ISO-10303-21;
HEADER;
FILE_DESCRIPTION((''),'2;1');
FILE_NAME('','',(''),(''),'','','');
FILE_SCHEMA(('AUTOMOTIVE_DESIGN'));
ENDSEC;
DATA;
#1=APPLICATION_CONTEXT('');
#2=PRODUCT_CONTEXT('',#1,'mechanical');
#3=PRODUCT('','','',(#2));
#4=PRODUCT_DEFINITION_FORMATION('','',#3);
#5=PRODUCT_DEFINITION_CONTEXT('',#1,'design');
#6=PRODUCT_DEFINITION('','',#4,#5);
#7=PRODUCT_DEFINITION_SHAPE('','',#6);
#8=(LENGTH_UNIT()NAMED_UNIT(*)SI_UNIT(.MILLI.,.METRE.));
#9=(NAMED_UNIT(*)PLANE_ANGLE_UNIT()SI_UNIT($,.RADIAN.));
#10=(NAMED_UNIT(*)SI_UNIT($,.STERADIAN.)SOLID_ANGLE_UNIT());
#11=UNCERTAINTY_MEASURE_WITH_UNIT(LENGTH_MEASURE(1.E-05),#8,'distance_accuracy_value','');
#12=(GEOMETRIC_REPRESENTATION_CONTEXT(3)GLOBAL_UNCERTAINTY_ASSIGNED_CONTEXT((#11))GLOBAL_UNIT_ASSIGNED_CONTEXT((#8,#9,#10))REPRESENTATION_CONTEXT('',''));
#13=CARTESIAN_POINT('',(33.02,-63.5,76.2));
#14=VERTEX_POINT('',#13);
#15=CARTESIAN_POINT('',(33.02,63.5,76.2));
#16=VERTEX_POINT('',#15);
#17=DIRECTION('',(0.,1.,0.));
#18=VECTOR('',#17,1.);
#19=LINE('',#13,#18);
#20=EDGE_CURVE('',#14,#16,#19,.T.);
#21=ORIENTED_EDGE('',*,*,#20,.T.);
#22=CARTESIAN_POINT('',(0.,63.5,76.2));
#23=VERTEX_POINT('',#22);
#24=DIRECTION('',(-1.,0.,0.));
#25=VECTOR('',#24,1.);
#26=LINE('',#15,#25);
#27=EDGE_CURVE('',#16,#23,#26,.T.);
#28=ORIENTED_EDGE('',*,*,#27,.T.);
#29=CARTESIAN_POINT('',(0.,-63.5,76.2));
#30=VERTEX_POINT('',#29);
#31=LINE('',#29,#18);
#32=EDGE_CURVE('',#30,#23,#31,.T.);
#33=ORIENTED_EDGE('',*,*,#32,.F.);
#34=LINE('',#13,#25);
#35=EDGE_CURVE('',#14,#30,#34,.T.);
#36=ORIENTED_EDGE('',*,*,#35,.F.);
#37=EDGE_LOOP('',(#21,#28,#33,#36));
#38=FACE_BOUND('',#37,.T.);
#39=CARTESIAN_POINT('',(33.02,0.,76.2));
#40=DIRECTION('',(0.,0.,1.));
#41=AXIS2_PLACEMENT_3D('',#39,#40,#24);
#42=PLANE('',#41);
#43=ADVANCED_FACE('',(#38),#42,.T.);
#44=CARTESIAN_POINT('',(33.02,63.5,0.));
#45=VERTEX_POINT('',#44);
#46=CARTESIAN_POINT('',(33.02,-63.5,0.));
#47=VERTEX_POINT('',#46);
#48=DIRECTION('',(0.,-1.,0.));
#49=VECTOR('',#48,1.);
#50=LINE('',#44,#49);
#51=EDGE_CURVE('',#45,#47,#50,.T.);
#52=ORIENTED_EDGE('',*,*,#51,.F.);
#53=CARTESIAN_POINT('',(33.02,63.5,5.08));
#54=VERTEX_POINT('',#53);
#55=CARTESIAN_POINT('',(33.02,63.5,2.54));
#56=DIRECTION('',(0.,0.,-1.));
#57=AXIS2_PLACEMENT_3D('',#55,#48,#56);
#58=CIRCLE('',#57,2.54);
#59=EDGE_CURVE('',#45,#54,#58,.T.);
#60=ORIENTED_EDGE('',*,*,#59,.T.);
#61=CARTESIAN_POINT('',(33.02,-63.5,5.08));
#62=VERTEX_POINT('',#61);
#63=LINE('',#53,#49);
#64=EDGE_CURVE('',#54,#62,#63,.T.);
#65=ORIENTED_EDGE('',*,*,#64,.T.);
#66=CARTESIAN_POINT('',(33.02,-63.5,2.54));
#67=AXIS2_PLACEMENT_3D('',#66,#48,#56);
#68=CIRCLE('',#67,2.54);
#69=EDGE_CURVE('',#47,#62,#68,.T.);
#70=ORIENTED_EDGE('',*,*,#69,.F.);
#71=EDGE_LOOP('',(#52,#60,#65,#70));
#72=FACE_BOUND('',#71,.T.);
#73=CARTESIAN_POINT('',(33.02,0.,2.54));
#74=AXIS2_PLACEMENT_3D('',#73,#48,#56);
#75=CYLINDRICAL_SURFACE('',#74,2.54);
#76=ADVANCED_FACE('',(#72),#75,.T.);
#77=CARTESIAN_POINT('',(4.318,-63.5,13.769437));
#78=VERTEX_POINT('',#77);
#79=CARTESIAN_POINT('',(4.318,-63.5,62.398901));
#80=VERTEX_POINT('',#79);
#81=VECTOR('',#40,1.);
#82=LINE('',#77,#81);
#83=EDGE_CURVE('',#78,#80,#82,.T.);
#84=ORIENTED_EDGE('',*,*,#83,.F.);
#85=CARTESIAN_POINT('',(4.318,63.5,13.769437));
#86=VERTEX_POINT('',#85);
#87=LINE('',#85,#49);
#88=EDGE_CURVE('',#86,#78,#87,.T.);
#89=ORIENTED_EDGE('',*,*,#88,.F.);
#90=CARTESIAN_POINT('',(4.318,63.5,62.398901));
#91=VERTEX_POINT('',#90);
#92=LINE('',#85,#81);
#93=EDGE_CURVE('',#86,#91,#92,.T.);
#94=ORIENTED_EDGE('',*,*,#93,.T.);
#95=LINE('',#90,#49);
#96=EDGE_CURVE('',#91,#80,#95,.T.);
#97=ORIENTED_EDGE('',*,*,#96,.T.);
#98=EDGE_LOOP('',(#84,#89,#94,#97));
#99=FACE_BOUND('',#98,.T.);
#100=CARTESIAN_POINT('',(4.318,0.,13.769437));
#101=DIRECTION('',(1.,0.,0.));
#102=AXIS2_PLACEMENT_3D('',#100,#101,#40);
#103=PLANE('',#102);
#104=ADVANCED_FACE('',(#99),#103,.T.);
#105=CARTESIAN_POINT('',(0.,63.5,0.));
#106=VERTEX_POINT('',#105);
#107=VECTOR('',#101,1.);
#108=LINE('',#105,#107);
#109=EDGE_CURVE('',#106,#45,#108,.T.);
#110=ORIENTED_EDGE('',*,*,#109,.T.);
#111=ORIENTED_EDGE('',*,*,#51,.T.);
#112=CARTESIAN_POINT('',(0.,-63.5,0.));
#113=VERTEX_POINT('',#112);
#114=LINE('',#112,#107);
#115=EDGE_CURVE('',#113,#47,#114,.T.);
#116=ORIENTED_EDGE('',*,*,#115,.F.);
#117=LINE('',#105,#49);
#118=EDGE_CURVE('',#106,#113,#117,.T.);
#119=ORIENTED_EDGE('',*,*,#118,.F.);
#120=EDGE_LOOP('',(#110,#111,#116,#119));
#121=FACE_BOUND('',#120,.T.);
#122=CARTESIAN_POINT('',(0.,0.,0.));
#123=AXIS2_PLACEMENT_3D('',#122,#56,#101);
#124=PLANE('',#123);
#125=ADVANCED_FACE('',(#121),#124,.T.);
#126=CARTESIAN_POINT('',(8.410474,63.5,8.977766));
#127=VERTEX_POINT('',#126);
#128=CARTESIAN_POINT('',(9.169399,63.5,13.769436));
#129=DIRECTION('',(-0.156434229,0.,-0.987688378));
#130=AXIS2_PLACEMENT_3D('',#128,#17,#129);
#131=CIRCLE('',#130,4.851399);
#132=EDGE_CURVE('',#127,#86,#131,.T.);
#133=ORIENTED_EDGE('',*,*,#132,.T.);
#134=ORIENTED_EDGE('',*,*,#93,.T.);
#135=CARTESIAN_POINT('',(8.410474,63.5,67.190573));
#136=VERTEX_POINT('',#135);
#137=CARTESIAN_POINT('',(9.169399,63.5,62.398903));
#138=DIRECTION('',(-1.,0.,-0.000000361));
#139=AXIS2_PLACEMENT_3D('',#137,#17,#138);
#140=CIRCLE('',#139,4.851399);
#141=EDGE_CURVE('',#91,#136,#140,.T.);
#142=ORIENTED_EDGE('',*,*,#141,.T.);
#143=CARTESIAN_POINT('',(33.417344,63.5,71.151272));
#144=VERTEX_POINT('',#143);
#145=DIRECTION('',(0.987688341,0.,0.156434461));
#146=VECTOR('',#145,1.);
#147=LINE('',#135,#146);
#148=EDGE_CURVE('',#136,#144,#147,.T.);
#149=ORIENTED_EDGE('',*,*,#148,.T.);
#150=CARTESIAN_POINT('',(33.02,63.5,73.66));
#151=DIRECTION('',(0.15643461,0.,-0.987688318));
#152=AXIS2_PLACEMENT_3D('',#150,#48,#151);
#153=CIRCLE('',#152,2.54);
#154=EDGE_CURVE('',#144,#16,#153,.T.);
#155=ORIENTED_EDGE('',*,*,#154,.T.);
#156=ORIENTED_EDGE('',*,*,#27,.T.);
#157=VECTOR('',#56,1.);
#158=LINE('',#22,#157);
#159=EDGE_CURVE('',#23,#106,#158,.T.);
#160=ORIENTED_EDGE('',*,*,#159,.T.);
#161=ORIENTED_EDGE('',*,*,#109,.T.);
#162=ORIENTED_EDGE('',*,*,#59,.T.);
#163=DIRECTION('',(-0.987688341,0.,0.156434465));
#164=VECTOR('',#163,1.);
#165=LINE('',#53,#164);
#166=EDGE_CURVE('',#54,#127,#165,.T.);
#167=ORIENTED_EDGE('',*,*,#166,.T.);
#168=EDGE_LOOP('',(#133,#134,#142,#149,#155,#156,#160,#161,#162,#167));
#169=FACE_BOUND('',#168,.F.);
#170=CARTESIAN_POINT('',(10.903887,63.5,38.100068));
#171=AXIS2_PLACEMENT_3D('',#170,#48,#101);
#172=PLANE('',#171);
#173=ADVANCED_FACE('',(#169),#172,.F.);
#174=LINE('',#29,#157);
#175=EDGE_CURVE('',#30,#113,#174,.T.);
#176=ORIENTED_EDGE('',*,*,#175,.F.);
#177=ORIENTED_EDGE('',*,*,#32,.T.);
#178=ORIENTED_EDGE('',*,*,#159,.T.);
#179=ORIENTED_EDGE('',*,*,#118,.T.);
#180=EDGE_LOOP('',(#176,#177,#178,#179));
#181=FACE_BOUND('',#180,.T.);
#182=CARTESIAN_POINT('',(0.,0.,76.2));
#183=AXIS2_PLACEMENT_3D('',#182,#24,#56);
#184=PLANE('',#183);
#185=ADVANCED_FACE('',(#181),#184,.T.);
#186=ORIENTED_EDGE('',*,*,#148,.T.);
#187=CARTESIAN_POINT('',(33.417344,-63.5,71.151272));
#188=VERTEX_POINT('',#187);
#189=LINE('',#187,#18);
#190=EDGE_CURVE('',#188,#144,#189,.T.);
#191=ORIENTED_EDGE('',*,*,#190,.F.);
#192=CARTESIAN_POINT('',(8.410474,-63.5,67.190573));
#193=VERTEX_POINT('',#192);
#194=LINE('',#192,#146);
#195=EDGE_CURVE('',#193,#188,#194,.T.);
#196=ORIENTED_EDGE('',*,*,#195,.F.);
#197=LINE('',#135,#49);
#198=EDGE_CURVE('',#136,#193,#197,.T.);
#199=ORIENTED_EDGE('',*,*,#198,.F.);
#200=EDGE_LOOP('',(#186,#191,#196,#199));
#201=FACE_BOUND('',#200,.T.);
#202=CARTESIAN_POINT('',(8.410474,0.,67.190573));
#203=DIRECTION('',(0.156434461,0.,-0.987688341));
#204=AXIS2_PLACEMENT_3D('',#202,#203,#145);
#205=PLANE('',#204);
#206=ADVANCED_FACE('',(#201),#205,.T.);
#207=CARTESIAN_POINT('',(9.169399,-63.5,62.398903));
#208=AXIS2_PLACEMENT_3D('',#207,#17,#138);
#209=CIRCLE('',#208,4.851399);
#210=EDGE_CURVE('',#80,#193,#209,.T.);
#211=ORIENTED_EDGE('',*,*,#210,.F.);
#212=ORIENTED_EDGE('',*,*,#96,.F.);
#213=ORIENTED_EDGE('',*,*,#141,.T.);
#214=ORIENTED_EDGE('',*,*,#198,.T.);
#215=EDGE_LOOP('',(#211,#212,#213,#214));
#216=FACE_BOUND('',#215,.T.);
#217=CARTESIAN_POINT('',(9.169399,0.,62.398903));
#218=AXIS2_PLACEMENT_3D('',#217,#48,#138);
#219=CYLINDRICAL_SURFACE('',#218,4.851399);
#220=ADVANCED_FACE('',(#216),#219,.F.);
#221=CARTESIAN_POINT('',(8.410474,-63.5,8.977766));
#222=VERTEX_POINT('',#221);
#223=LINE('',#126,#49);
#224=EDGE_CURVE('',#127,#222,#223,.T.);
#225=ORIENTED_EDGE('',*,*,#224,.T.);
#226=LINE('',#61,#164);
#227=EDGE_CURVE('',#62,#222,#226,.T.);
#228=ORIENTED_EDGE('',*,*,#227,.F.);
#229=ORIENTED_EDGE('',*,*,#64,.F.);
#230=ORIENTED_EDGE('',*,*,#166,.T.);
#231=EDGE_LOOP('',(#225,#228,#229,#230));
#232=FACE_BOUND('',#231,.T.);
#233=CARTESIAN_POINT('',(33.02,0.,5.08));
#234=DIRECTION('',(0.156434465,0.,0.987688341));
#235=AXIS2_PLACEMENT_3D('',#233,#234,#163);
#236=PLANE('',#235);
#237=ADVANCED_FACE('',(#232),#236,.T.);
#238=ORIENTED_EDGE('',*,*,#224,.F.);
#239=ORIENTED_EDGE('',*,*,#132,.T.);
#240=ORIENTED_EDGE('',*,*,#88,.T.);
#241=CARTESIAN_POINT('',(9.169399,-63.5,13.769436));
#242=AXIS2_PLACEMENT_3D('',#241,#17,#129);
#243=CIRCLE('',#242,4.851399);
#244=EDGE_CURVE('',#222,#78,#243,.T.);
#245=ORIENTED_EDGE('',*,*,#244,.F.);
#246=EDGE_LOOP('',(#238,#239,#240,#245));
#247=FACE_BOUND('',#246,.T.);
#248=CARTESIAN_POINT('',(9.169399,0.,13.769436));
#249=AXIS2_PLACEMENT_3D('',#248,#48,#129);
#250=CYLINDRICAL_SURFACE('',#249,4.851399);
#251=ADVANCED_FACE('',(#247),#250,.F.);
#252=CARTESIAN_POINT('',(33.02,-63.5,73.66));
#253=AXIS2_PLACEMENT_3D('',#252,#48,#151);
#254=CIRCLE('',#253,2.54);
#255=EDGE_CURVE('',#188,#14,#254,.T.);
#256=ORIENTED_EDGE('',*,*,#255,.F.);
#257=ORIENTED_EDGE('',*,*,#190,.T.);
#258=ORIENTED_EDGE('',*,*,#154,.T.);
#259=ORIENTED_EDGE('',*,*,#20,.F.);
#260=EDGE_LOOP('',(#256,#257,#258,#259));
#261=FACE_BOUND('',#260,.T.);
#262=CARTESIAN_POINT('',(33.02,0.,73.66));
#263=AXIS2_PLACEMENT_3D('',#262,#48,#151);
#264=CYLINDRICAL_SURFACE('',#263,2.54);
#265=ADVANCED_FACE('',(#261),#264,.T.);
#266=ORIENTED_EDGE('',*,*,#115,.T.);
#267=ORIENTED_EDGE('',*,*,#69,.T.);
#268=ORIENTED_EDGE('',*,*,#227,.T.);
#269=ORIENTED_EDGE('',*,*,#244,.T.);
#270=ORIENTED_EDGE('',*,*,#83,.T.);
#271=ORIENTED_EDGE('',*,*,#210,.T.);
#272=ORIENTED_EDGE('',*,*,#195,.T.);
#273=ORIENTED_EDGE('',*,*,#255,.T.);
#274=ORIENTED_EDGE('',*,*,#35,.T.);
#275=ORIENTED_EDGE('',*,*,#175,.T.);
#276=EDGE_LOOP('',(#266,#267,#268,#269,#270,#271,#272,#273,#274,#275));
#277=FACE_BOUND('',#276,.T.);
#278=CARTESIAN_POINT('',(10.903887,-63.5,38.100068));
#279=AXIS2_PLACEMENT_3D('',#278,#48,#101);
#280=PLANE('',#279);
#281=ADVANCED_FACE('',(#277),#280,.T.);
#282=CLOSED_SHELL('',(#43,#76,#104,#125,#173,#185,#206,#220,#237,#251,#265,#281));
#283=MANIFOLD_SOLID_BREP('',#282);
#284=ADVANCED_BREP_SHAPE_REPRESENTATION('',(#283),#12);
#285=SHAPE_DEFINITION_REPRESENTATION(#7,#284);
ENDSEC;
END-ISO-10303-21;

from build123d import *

# Parameters (mm, degrees)
F1_DEPTH = 63.5


with BuildPart() as f1:
    # F0 (on Front) → F1 (new body, symmetric)
    with BuildSketch(Plane.XZ):
        with BuildLine():
            Line((0, 76.2), (0, 0))
            Line((0, 0), (33.02, 0))
            ThreePointArc((33.02, 0), (35.56, 2.54), (33.02, 5.08))
            Line((33.02, 5.08), (8.410474, 8.977766))
            ThreePointArc((8.410474, 8.977766), (5.480366, 10.618705), (4.318, 13.769437))
            Line((4.318, 13.769437), (4.318, 62.398901))
            ThreePointArc((4.318, 62.398901), (5.480366, 65.549634), (8.410474, 67.190573))
            Line((8.410474, 67.190573), (33.417344, 71.151272))
            ThreePointArc((33.417344, 71.151272), (35.55217, 73.859286), (33.02, 76.2))
            Line((33.02, 76.2), (0, 76.2))
        make_face()
    extrude(amount=F1_DEPTH, both=True)


solid = f1.part
